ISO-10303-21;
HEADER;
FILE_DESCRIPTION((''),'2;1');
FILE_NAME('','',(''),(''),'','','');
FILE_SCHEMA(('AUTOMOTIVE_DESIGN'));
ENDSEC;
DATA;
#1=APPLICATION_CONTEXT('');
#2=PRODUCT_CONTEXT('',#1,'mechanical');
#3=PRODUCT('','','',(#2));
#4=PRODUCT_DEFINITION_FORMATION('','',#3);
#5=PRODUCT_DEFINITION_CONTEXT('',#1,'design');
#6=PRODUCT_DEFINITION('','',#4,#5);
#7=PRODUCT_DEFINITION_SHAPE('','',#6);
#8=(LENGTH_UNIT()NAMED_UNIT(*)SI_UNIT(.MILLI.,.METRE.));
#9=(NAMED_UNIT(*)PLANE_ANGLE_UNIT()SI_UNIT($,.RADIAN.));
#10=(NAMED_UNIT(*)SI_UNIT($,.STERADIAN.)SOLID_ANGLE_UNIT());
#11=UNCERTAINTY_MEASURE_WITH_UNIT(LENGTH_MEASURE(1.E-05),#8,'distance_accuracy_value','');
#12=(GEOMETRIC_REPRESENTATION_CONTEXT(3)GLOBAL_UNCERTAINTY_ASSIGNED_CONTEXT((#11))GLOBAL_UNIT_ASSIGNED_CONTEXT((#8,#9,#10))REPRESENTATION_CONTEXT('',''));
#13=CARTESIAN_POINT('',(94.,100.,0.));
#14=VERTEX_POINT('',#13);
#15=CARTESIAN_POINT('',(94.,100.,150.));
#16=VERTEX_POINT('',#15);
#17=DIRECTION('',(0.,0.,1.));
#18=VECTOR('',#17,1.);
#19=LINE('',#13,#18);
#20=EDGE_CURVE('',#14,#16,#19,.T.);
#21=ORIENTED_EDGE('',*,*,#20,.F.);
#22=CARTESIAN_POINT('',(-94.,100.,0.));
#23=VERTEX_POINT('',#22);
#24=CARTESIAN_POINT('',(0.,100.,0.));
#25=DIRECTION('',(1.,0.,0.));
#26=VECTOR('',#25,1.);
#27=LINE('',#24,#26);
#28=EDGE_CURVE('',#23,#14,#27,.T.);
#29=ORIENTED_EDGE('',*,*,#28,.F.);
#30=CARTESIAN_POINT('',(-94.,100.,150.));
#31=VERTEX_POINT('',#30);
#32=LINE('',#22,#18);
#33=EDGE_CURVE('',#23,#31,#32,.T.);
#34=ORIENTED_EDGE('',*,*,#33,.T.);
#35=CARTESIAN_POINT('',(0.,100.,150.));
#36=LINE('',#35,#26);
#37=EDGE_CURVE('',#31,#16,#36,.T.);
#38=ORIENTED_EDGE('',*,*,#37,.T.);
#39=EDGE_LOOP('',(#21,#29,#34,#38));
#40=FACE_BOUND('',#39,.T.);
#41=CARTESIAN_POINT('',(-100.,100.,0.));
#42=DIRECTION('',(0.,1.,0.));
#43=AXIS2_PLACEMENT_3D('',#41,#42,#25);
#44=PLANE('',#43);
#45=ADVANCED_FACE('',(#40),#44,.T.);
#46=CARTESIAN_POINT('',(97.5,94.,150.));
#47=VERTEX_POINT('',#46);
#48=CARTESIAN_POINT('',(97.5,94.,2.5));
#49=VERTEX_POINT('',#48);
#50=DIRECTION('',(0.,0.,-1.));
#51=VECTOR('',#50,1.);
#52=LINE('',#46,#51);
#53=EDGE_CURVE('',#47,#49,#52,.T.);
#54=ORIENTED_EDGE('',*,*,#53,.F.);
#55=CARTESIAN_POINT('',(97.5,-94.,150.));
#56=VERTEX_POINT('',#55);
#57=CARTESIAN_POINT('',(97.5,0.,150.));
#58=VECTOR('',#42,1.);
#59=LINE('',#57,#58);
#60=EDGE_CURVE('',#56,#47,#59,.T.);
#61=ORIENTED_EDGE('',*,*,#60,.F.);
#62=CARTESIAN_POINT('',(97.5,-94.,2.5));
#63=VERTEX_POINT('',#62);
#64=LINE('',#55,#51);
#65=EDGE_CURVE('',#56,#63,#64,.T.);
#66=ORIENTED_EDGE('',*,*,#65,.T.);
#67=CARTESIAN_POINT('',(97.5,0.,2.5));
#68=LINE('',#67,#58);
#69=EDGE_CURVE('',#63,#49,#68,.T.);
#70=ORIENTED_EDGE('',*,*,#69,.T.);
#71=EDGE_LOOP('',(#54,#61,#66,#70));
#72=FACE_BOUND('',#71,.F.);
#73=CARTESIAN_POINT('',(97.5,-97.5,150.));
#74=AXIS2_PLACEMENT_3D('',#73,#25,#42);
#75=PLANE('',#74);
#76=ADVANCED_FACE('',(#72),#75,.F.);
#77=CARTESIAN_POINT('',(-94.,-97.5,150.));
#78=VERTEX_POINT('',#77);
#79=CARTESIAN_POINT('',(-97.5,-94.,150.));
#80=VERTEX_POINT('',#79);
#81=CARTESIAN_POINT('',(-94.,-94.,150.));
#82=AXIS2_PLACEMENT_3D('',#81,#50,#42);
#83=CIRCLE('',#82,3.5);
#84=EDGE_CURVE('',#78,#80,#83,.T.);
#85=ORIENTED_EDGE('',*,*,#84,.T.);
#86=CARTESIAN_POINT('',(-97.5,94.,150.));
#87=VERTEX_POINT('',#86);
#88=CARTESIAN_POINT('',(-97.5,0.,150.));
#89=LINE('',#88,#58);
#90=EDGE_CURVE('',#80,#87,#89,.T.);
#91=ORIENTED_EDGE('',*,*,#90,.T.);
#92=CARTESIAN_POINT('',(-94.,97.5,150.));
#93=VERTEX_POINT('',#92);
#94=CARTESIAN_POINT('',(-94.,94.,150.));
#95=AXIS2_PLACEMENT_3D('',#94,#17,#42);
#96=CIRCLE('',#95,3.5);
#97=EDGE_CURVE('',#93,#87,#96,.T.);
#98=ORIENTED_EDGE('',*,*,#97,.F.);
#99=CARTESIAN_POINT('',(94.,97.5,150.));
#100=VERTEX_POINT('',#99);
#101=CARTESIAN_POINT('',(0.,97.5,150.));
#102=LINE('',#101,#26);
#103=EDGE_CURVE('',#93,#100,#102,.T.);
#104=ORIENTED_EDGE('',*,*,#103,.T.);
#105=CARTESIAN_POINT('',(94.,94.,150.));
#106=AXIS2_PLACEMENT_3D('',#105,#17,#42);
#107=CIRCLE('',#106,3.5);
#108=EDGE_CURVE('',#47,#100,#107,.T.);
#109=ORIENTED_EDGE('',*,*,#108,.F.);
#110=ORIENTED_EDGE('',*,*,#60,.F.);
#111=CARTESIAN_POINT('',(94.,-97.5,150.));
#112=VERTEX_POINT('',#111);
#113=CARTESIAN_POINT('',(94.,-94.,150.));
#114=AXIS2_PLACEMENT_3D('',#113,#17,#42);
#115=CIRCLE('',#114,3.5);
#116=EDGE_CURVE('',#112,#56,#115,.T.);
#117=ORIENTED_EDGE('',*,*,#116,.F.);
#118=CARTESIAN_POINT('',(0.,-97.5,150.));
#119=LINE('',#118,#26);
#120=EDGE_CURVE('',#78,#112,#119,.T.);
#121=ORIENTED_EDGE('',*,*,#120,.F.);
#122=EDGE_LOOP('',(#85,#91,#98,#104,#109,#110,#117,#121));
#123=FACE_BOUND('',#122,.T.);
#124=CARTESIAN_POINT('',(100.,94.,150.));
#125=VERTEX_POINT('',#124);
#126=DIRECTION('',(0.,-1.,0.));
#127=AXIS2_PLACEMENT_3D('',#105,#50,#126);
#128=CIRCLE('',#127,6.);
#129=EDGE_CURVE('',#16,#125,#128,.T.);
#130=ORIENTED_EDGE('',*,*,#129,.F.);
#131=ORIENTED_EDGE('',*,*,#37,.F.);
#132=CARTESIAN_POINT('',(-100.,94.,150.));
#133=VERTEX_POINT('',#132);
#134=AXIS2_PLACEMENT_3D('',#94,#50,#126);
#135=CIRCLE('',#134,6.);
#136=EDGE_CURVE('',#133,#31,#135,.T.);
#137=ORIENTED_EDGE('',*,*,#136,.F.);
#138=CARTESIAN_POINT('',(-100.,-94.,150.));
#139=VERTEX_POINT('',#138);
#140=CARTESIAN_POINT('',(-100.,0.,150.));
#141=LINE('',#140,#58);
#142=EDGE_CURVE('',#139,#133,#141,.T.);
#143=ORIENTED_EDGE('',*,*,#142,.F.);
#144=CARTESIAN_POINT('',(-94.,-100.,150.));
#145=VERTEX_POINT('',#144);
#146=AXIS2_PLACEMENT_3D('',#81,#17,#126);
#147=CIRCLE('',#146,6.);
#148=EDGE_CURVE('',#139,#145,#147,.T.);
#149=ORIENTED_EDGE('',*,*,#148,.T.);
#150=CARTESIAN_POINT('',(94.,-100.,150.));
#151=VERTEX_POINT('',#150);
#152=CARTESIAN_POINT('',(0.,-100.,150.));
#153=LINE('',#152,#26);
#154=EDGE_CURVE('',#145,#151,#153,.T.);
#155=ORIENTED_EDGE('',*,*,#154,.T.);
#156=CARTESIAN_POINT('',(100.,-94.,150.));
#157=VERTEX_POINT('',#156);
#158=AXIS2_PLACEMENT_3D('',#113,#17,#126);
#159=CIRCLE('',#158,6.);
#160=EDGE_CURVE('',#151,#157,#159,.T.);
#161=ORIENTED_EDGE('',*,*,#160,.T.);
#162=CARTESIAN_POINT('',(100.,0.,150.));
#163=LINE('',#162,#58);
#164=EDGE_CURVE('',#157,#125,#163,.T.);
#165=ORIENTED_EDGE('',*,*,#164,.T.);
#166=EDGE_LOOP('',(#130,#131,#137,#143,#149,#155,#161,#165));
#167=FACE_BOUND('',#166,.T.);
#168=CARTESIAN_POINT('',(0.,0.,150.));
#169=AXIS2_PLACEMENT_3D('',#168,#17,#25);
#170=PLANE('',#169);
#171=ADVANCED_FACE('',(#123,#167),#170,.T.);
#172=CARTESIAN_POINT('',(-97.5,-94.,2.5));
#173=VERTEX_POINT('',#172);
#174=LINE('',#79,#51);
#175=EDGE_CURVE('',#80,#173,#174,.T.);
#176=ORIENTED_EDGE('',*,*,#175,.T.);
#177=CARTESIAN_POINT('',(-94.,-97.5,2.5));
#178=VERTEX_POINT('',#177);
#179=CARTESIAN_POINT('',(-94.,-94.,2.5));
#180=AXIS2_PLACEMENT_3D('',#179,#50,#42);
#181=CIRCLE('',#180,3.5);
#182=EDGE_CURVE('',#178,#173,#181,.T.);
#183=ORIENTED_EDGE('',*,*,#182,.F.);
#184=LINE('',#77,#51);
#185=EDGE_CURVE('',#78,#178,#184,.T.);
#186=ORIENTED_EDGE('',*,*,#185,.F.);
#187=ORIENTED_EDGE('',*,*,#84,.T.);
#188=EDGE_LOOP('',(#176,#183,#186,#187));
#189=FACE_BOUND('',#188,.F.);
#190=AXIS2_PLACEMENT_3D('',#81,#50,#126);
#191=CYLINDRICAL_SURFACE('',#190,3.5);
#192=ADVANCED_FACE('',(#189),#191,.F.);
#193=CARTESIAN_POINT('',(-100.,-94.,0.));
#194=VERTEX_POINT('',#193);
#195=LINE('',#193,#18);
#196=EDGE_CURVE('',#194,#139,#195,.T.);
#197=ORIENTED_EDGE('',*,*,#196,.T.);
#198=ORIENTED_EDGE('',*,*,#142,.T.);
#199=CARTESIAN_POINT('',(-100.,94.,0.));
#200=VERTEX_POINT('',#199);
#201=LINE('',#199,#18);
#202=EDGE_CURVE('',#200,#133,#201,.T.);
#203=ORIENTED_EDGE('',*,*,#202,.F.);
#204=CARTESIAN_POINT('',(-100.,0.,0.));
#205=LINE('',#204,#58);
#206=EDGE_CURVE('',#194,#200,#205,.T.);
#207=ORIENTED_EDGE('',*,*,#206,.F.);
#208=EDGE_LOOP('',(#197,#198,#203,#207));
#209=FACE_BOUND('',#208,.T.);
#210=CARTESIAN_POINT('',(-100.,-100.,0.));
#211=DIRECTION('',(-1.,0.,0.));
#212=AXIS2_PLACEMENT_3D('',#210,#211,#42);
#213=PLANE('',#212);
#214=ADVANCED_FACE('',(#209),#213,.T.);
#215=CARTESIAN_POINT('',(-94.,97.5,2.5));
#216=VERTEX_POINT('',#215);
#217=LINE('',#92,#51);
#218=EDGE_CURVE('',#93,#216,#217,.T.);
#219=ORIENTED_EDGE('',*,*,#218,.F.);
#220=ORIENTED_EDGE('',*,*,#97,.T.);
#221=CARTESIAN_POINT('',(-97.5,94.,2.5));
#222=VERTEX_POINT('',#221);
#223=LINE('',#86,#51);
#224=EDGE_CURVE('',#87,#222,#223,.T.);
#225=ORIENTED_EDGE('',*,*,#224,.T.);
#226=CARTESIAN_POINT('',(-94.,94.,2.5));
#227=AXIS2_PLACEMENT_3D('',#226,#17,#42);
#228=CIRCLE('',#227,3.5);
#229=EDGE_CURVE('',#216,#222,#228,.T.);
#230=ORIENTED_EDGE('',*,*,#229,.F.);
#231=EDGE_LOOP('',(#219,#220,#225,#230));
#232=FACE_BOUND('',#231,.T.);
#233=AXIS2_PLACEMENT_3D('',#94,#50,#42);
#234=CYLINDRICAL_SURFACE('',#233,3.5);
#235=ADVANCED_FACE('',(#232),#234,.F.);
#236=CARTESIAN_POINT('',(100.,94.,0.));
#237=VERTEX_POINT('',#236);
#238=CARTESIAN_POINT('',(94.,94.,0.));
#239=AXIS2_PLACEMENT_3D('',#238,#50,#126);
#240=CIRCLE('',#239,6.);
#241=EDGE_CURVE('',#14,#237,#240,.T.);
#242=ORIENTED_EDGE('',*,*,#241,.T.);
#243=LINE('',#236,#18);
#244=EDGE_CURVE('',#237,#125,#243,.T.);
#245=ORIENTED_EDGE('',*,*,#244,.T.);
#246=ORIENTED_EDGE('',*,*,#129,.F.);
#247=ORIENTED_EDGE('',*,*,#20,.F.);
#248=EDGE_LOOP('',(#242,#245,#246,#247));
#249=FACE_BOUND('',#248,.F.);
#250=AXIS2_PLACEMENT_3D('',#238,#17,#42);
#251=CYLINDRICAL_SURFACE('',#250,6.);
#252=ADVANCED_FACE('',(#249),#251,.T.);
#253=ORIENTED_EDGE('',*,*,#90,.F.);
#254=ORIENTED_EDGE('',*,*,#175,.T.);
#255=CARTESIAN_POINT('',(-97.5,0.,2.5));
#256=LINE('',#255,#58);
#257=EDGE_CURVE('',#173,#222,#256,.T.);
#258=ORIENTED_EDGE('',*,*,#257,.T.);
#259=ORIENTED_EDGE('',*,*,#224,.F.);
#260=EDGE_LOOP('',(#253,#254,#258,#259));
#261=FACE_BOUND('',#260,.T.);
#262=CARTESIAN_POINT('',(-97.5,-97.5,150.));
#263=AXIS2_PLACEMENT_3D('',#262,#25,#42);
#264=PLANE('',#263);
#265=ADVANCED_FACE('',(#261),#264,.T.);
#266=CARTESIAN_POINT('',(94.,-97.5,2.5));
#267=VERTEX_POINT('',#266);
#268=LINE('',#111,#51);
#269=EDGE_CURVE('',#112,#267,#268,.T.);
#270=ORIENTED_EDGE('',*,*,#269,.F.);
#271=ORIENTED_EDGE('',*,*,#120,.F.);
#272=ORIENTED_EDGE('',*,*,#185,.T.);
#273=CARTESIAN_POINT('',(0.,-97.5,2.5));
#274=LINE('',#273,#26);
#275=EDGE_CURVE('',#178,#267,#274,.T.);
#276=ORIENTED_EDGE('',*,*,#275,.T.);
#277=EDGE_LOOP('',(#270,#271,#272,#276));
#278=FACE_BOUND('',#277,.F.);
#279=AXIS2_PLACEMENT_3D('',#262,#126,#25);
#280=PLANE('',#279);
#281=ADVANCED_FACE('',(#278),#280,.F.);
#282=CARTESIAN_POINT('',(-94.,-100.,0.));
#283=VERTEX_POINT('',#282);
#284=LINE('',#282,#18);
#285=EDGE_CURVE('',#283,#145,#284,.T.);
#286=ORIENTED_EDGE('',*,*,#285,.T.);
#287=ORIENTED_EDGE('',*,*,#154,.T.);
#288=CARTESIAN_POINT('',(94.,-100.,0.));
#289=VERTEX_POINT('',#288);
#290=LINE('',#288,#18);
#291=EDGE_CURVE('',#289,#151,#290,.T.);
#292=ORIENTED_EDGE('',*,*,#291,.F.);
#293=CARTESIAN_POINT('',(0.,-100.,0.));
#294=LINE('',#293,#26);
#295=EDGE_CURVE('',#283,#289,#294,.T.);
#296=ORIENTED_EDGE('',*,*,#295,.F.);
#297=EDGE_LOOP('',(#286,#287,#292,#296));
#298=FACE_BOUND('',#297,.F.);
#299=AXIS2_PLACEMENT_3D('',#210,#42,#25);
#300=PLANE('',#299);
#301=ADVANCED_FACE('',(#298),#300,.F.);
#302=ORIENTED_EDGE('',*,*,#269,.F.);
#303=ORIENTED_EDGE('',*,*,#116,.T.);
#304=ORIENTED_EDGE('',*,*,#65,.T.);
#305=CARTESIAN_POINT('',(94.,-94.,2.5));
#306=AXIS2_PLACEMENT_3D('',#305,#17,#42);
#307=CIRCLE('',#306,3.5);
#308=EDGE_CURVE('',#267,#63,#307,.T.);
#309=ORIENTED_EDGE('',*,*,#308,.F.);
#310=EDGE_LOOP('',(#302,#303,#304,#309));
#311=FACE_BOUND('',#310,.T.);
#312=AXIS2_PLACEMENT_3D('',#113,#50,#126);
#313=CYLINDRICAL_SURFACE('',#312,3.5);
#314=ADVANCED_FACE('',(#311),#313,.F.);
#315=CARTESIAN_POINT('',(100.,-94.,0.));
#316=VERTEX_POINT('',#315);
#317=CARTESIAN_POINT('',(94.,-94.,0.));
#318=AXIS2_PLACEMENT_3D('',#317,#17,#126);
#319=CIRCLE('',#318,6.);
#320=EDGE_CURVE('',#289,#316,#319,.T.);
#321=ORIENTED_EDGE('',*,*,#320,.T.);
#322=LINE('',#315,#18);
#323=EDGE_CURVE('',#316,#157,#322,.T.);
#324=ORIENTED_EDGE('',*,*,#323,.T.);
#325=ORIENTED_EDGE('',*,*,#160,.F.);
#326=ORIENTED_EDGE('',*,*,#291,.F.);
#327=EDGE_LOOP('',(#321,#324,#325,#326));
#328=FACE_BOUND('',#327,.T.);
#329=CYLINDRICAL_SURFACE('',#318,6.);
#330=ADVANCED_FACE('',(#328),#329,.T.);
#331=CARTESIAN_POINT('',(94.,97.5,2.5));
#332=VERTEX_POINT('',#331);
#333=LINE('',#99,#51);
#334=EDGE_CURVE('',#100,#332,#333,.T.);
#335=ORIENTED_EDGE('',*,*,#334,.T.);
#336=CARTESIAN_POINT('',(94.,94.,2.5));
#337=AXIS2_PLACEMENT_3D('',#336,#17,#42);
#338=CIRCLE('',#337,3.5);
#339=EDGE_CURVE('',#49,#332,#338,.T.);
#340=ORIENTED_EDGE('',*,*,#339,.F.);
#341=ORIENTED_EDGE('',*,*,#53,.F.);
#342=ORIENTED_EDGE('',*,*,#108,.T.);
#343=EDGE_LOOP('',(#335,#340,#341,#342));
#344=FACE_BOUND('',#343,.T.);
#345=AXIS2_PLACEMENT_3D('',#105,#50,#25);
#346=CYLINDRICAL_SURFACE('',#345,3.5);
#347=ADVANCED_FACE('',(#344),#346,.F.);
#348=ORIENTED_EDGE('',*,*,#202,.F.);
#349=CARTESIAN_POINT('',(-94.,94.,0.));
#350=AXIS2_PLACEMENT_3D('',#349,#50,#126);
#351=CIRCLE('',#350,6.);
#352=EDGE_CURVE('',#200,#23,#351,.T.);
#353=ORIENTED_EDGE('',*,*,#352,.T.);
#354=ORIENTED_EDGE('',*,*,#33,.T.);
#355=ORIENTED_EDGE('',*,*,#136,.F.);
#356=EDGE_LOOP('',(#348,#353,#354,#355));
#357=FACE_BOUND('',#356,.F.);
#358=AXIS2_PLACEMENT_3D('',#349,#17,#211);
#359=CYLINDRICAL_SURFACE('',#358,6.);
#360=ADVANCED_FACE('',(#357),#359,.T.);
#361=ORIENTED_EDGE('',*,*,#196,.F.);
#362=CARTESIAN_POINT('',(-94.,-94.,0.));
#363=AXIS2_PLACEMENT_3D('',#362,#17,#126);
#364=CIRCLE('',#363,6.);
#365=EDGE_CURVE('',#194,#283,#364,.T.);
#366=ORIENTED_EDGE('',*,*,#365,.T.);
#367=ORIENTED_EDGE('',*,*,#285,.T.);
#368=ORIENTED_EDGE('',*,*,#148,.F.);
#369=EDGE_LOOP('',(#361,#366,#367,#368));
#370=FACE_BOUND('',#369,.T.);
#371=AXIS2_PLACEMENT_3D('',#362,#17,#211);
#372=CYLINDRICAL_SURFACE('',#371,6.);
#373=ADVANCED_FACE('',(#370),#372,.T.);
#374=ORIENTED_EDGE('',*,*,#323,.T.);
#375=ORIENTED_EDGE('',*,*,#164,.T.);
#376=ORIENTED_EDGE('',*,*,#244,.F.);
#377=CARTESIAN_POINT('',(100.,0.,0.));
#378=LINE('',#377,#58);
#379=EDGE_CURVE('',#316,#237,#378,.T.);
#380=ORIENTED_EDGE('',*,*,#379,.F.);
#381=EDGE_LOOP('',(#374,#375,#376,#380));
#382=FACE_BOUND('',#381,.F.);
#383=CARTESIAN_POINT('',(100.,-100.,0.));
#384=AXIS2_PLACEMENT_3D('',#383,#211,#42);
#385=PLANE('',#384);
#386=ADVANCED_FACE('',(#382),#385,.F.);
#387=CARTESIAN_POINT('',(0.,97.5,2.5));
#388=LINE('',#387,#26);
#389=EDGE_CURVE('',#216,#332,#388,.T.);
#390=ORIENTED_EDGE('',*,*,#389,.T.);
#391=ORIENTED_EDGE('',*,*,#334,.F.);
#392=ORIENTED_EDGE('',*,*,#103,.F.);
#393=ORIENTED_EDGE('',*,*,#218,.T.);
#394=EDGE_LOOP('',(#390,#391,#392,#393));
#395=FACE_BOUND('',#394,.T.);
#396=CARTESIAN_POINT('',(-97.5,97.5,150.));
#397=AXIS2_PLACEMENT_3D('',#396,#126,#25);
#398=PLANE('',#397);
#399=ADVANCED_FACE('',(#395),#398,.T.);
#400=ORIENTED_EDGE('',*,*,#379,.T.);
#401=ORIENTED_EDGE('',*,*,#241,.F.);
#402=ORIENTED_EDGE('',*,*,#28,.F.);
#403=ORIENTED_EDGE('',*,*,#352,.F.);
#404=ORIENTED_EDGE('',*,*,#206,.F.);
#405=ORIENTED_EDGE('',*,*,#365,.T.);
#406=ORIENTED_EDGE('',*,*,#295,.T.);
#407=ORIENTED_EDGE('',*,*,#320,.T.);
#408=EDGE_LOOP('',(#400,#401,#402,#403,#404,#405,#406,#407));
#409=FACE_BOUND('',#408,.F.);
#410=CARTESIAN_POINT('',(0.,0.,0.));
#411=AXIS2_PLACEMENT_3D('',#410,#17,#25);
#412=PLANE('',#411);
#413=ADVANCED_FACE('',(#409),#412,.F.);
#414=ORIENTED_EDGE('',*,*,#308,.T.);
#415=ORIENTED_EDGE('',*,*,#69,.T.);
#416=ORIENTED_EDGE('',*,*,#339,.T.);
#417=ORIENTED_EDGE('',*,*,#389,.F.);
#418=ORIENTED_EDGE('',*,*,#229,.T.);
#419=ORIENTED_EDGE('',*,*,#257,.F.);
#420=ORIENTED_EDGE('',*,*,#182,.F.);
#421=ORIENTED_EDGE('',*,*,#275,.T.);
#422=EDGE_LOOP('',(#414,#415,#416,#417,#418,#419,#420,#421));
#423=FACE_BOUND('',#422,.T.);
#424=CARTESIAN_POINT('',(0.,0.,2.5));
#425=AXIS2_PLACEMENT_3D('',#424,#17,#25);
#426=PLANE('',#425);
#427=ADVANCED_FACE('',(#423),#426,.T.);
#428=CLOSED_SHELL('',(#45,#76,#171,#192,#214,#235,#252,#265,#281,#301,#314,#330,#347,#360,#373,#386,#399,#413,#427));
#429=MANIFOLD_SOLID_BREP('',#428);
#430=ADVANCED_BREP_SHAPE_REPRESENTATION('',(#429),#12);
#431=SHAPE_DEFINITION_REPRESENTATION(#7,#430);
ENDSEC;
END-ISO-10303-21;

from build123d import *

# Parameters (mm, degrees)
SKETCH004_W     = 200
SKETCH004_H     = 200
PAD001_DEPTH    = 150
SKETCH005_W     = 195
SKETCH005_H     = 195
POCKET002_DEPTH = 147.5
FILLET_R        = 6
FILLET001_R     = 3.5


with BuildPart() as part:
    # Sketch004 → Pad001 (new body)
    with BuildSketch(Plane.XY):
        Rectangle(SKETCH004_W, SKETCH004_H)
    extrude(amount=PAD001_DEPTH)

    # Sketch005 (on Face6 of Pad001) → Pocket002 (cut)
    with BuildSketch(Plane.XY.offset(150)):
        Rectangle(SKETCH005_W, SKETCH005_H)
    extrude(amount=-POCKET002_DEPTH, mode=Mode.SUBTRACT)

    # Fillet
    fillet_edges = [part.edges().sort_by_distance(p)[0] for p in [
        (-100, -100, 75),
        (100, -100, 75),
        (100, 100, 75),
        (-100, 100, 75),
    ]]
    fillet(fillet_edges, radius=FILLET_R)

    # Fillet001
    fillet001_edges = [part.edges().sort_by_distance(p)[0] for p in [
        (97.5, 97.5, 76.25),
        (-97.5, 97.5, 76.25),
        (97.5, -97.5, 76.25),
        (-97.5, -97.5, 76.25),
    ]]
    fillet(fillet001_edges, radius=FILLET001_R)


solid = part.part
